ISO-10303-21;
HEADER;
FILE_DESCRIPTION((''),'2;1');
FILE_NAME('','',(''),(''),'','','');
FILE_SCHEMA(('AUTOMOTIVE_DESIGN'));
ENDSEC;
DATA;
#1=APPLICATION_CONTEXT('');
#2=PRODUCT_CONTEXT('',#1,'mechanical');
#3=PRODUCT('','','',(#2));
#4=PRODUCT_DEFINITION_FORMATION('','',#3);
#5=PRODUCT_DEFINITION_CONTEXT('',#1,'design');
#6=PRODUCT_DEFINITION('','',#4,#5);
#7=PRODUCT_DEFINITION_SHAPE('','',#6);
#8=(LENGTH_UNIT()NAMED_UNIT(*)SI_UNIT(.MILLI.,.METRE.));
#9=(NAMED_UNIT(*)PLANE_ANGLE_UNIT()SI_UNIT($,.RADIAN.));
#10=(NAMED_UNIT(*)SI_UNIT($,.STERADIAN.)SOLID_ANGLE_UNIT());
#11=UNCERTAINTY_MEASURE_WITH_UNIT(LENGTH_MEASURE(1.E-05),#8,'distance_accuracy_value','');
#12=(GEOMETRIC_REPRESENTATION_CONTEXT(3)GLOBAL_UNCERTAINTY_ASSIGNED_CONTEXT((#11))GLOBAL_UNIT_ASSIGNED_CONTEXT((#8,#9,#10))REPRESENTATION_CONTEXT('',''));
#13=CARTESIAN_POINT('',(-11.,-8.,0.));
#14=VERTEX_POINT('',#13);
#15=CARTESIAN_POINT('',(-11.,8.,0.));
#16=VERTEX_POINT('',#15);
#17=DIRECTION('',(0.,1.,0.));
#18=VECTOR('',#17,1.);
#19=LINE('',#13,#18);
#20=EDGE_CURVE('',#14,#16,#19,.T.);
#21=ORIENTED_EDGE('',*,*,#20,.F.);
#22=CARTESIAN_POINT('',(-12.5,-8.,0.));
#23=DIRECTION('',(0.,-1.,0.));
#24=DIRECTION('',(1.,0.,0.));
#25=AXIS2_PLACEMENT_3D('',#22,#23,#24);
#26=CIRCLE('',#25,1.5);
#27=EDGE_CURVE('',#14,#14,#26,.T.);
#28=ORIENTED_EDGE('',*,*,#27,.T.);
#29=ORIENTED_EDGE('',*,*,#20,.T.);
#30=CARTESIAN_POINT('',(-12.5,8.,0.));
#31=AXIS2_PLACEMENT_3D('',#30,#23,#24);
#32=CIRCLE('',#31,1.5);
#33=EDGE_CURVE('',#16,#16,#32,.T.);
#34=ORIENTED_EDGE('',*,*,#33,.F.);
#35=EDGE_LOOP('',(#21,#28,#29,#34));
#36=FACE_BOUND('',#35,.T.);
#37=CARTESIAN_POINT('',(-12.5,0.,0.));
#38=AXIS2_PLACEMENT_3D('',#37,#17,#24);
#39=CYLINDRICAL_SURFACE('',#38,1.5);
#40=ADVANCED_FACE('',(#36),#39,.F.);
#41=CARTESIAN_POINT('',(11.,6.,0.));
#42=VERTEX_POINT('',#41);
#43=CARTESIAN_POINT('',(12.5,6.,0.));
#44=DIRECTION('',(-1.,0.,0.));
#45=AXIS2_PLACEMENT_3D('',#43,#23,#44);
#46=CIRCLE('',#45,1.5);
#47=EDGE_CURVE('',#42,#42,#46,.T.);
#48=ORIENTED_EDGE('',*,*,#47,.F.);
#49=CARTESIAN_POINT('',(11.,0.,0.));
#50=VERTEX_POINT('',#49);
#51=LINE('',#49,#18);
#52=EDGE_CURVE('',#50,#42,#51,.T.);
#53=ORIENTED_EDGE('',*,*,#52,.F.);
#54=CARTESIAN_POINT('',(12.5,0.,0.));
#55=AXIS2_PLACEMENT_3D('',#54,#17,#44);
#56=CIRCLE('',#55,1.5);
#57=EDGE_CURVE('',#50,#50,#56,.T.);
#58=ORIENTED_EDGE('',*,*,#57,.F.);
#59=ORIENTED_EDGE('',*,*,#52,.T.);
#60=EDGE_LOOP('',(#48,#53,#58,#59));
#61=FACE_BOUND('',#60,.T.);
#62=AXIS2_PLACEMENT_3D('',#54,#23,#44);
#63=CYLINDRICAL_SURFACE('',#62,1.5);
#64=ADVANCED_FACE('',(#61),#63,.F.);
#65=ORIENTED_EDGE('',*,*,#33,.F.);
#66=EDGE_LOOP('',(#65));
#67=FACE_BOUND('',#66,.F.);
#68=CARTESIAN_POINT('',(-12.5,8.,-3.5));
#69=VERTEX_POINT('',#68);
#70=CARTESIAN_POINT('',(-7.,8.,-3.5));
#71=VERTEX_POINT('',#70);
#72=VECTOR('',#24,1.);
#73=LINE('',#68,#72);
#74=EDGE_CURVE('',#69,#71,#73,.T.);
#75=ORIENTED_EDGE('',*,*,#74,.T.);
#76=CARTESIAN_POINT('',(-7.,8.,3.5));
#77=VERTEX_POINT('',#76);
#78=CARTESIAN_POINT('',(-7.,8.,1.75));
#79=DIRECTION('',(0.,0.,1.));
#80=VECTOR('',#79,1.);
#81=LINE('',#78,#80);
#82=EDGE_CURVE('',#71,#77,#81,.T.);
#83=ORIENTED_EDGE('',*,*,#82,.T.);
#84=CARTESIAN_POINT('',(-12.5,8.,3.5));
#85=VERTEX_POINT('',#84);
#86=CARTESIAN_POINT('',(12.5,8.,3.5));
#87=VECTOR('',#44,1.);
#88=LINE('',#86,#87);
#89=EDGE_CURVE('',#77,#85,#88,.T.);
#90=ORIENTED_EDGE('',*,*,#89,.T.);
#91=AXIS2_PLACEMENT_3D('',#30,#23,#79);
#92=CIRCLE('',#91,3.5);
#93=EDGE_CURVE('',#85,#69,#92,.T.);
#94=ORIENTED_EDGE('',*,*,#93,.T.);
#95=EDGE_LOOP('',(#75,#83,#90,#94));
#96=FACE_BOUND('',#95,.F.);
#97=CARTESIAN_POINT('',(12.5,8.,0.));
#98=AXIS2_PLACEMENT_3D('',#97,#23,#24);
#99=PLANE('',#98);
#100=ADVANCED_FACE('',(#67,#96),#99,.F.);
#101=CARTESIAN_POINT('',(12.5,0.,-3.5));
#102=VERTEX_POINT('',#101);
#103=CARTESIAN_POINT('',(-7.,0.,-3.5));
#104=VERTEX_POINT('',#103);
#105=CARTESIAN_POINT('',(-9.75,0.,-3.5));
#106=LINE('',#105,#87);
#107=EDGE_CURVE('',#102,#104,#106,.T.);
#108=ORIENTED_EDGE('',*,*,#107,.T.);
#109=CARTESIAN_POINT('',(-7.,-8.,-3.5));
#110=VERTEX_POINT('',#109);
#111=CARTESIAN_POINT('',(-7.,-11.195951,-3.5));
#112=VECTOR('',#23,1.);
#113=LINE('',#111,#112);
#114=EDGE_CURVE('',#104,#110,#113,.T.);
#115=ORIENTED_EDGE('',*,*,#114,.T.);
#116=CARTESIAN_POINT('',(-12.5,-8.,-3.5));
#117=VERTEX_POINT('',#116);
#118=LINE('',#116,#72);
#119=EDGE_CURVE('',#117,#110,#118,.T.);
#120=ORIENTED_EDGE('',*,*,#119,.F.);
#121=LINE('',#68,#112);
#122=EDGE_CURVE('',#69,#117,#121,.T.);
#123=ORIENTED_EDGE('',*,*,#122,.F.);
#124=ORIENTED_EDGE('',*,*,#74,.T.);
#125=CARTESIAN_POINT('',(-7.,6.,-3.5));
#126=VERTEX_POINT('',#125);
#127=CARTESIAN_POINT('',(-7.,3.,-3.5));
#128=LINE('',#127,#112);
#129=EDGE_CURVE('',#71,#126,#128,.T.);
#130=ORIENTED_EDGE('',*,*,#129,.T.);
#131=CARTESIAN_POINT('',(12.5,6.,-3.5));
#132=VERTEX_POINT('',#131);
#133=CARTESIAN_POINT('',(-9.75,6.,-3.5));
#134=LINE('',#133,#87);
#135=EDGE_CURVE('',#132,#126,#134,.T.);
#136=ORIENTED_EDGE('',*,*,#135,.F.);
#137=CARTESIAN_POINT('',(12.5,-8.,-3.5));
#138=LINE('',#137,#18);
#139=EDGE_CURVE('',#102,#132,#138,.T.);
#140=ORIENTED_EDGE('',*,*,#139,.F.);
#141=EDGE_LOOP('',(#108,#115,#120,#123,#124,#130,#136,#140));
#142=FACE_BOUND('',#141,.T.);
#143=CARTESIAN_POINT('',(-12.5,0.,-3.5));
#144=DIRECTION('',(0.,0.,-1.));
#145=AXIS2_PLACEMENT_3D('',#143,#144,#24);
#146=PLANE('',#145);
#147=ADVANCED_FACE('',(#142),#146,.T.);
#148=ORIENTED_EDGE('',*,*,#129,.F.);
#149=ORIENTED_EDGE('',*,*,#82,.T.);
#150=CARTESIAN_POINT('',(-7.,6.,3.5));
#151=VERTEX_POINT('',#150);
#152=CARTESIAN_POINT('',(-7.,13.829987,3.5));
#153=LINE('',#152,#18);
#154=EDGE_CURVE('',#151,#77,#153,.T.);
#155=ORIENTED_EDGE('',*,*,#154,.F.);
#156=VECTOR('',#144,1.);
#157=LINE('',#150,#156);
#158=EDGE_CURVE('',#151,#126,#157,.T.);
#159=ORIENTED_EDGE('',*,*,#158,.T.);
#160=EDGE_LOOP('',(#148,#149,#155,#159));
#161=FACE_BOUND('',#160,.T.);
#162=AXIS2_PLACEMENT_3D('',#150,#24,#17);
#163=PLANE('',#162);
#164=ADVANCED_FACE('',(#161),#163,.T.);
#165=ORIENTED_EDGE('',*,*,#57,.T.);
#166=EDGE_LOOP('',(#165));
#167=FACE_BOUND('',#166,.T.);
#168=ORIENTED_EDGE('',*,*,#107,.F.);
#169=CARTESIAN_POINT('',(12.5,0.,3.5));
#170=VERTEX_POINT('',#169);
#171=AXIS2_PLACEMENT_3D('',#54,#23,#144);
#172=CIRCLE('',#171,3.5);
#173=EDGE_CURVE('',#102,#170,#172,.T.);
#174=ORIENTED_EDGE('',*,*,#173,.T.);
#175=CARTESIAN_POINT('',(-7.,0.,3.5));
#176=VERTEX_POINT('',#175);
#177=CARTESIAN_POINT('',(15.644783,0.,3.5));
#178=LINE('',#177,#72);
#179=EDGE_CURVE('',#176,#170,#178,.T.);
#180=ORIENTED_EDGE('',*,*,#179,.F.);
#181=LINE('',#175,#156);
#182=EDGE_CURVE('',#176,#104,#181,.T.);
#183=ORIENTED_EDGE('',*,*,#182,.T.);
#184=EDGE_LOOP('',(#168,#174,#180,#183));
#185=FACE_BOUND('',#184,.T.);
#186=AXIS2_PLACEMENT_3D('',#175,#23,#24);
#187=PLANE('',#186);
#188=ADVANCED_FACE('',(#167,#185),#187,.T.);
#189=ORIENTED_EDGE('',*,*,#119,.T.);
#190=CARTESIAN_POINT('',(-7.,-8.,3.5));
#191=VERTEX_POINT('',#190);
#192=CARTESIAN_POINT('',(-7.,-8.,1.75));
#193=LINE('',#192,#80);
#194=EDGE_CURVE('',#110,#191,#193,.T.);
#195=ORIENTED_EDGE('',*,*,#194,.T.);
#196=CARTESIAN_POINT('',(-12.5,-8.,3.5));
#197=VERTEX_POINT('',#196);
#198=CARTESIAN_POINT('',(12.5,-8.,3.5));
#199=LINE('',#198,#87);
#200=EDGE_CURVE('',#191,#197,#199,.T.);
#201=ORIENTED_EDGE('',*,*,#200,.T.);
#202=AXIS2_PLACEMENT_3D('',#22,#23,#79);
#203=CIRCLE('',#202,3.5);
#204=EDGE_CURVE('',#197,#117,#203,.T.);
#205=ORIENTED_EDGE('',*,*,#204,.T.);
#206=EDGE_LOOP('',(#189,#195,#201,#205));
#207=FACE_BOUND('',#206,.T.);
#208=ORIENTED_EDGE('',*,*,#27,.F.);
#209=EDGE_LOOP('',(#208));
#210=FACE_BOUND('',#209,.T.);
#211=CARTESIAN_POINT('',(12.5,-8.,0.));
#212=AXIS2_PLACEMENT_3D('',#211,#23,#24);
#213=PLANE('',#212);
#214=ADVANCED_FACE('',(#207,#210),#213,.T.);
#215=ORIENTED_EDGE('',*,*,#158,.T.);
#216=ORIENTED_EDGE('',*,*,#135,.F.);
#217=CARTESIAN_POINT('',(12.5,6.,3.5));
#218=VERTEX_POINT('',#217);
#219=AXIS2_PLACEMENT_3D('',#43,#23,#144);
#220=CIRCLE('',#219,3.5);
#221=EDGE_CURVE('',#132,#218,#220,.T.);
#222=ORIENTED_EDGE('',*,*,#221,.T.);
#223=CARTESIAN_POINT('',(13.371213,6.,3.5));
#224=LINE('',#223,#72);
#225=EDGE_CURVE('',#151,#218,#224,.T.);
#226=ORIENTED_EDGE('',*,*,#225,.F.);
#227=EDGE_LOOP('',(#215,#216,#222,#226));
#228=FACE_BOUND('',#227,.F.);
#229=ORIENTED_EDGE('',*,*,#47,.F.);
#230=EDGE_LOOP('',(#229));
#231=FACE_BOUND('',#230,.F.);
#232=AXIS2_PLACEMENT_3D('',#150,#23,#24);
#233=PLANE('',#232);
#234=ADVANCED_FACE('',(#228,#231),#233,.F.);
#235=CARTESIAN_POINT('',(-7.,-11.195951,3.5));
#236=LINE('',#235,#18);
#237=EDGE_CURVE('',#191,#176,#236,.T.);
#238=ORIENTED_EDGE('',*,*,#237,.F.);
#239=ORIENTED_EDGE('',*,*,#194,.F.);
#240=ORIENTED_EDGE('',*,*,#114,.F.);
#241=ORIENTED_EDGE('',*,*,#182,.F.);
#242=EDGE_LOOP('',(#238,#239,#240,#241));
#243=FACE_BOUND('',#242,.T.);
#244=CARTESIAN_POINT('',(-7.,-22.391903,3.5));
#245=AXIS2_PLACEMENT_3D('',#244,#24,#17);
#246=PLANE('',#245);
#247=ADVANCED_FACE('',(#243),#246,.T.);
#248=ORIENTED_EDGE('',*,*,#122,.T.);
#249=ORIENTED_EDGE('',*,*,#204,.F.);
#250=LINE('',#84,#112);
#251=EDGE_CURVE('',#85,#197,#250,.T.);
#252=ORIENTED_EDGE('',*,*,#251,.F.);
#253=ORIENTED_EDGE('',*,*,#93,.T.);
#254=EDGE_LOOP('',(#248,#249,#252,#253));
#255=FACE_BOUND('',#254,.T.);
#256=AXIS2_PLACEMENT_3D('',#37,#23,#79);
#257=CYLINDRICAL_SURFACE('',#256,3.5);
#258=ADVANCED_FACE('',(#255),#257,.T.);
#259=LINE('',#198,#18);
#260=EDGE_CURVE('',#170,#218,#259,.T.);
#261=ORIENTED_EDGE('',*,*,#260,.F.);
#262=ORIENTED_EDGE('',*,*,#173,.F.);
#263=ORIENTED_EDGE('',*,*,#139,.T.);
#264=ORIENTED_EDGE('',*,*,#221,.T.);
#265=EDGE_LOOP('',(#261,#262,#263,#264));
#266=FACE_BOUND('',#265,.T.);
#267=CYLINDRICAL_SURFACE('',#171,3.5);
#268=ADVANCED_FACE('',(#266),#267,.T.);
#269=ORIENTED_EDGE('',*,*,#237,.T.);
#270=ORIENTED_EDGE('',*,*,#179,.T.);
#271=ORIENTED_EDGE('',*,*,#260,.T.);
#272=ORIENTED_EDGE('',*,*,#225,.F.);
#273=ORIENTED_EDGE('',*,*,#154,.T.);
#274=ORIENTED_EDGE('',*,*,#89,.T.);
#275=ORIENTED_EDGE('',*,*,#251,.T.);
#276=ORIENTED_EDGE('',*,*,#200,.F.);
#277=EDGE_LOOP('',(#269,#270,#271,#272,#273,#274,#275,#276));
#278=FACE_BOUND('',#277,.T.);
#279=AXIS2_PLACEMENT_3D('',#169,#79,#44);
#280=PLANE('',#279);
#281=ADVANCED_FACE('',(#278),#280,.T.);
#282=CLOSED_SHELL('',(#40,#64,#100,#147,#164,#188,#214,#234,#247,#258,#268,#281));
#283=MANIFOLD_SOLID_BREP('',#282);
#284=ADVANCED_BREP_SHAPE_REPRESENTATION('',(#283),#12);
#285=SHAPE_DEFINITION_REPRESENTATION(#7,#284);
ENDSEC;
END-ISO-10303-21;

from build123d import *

# Parameters (mm, degrees)
F0_R     = 1.5
F1_DEPTH = 8
F2_W     = 40.742426
F2_H     = 15.659974
F2_W_2   = 45.289567
F2_H_2   = 22.391903
F3_DEPTH = 25.4


with BuildPart() as f1:
    # F0 (on Front) → F1 (new body, symmetric)
    with BuildSketch(Plane.XZ):
        with BuildLine():
            ThreePointArc((14, 0), (12.5, 1.5), (11, 0))
            ThreePointArc((11, 0), (12.5, -1.5), (14, 0))
        make_face()
        with Locations((-12.5, 0)):
            Circle(F0_R)
        with BuildLine():
            Line((12.5, 3.5), (-12.5, 3.5))
            ThreePointArc((-12.5, 3.5), (-16, 0), (-12.5, -3.5))
            Line((-12.5, -3.5), (12.5, -3.5))
            ThreePointArc((12.5, -3.5), (16, 0), (12.5, 3.5))
        make_face()
        with Locations((-12.5, 0)):
            Circle(F0_R, mode=Mode.SUBTRACT)
        with BuildLine():
            ThreePointArc((14, 0), (12.5, -1.5), (11, 0))
            ThreePointArc((11, 0), (12.5, 1.5), (14, 0))
        make_face(mode=Mode.SUBTRACT)
    extrude(amount=F1_DEPTH, both=True)

    # F2 (on face) → F3 (cut)
    with BuildSketch(Plane.XY.offset(3.5)):
        with Locations((13.371213, 13.829987)):
            Rectangle(F2_W, F2_H)
        with Locations((15.644783, -11.195951)):
            Rectangle(F2_W_2, F2_H_2)
    extrude(amount=-F3_DEPTH, mode=Mode.SUBTRACT)


solid = f1.part
